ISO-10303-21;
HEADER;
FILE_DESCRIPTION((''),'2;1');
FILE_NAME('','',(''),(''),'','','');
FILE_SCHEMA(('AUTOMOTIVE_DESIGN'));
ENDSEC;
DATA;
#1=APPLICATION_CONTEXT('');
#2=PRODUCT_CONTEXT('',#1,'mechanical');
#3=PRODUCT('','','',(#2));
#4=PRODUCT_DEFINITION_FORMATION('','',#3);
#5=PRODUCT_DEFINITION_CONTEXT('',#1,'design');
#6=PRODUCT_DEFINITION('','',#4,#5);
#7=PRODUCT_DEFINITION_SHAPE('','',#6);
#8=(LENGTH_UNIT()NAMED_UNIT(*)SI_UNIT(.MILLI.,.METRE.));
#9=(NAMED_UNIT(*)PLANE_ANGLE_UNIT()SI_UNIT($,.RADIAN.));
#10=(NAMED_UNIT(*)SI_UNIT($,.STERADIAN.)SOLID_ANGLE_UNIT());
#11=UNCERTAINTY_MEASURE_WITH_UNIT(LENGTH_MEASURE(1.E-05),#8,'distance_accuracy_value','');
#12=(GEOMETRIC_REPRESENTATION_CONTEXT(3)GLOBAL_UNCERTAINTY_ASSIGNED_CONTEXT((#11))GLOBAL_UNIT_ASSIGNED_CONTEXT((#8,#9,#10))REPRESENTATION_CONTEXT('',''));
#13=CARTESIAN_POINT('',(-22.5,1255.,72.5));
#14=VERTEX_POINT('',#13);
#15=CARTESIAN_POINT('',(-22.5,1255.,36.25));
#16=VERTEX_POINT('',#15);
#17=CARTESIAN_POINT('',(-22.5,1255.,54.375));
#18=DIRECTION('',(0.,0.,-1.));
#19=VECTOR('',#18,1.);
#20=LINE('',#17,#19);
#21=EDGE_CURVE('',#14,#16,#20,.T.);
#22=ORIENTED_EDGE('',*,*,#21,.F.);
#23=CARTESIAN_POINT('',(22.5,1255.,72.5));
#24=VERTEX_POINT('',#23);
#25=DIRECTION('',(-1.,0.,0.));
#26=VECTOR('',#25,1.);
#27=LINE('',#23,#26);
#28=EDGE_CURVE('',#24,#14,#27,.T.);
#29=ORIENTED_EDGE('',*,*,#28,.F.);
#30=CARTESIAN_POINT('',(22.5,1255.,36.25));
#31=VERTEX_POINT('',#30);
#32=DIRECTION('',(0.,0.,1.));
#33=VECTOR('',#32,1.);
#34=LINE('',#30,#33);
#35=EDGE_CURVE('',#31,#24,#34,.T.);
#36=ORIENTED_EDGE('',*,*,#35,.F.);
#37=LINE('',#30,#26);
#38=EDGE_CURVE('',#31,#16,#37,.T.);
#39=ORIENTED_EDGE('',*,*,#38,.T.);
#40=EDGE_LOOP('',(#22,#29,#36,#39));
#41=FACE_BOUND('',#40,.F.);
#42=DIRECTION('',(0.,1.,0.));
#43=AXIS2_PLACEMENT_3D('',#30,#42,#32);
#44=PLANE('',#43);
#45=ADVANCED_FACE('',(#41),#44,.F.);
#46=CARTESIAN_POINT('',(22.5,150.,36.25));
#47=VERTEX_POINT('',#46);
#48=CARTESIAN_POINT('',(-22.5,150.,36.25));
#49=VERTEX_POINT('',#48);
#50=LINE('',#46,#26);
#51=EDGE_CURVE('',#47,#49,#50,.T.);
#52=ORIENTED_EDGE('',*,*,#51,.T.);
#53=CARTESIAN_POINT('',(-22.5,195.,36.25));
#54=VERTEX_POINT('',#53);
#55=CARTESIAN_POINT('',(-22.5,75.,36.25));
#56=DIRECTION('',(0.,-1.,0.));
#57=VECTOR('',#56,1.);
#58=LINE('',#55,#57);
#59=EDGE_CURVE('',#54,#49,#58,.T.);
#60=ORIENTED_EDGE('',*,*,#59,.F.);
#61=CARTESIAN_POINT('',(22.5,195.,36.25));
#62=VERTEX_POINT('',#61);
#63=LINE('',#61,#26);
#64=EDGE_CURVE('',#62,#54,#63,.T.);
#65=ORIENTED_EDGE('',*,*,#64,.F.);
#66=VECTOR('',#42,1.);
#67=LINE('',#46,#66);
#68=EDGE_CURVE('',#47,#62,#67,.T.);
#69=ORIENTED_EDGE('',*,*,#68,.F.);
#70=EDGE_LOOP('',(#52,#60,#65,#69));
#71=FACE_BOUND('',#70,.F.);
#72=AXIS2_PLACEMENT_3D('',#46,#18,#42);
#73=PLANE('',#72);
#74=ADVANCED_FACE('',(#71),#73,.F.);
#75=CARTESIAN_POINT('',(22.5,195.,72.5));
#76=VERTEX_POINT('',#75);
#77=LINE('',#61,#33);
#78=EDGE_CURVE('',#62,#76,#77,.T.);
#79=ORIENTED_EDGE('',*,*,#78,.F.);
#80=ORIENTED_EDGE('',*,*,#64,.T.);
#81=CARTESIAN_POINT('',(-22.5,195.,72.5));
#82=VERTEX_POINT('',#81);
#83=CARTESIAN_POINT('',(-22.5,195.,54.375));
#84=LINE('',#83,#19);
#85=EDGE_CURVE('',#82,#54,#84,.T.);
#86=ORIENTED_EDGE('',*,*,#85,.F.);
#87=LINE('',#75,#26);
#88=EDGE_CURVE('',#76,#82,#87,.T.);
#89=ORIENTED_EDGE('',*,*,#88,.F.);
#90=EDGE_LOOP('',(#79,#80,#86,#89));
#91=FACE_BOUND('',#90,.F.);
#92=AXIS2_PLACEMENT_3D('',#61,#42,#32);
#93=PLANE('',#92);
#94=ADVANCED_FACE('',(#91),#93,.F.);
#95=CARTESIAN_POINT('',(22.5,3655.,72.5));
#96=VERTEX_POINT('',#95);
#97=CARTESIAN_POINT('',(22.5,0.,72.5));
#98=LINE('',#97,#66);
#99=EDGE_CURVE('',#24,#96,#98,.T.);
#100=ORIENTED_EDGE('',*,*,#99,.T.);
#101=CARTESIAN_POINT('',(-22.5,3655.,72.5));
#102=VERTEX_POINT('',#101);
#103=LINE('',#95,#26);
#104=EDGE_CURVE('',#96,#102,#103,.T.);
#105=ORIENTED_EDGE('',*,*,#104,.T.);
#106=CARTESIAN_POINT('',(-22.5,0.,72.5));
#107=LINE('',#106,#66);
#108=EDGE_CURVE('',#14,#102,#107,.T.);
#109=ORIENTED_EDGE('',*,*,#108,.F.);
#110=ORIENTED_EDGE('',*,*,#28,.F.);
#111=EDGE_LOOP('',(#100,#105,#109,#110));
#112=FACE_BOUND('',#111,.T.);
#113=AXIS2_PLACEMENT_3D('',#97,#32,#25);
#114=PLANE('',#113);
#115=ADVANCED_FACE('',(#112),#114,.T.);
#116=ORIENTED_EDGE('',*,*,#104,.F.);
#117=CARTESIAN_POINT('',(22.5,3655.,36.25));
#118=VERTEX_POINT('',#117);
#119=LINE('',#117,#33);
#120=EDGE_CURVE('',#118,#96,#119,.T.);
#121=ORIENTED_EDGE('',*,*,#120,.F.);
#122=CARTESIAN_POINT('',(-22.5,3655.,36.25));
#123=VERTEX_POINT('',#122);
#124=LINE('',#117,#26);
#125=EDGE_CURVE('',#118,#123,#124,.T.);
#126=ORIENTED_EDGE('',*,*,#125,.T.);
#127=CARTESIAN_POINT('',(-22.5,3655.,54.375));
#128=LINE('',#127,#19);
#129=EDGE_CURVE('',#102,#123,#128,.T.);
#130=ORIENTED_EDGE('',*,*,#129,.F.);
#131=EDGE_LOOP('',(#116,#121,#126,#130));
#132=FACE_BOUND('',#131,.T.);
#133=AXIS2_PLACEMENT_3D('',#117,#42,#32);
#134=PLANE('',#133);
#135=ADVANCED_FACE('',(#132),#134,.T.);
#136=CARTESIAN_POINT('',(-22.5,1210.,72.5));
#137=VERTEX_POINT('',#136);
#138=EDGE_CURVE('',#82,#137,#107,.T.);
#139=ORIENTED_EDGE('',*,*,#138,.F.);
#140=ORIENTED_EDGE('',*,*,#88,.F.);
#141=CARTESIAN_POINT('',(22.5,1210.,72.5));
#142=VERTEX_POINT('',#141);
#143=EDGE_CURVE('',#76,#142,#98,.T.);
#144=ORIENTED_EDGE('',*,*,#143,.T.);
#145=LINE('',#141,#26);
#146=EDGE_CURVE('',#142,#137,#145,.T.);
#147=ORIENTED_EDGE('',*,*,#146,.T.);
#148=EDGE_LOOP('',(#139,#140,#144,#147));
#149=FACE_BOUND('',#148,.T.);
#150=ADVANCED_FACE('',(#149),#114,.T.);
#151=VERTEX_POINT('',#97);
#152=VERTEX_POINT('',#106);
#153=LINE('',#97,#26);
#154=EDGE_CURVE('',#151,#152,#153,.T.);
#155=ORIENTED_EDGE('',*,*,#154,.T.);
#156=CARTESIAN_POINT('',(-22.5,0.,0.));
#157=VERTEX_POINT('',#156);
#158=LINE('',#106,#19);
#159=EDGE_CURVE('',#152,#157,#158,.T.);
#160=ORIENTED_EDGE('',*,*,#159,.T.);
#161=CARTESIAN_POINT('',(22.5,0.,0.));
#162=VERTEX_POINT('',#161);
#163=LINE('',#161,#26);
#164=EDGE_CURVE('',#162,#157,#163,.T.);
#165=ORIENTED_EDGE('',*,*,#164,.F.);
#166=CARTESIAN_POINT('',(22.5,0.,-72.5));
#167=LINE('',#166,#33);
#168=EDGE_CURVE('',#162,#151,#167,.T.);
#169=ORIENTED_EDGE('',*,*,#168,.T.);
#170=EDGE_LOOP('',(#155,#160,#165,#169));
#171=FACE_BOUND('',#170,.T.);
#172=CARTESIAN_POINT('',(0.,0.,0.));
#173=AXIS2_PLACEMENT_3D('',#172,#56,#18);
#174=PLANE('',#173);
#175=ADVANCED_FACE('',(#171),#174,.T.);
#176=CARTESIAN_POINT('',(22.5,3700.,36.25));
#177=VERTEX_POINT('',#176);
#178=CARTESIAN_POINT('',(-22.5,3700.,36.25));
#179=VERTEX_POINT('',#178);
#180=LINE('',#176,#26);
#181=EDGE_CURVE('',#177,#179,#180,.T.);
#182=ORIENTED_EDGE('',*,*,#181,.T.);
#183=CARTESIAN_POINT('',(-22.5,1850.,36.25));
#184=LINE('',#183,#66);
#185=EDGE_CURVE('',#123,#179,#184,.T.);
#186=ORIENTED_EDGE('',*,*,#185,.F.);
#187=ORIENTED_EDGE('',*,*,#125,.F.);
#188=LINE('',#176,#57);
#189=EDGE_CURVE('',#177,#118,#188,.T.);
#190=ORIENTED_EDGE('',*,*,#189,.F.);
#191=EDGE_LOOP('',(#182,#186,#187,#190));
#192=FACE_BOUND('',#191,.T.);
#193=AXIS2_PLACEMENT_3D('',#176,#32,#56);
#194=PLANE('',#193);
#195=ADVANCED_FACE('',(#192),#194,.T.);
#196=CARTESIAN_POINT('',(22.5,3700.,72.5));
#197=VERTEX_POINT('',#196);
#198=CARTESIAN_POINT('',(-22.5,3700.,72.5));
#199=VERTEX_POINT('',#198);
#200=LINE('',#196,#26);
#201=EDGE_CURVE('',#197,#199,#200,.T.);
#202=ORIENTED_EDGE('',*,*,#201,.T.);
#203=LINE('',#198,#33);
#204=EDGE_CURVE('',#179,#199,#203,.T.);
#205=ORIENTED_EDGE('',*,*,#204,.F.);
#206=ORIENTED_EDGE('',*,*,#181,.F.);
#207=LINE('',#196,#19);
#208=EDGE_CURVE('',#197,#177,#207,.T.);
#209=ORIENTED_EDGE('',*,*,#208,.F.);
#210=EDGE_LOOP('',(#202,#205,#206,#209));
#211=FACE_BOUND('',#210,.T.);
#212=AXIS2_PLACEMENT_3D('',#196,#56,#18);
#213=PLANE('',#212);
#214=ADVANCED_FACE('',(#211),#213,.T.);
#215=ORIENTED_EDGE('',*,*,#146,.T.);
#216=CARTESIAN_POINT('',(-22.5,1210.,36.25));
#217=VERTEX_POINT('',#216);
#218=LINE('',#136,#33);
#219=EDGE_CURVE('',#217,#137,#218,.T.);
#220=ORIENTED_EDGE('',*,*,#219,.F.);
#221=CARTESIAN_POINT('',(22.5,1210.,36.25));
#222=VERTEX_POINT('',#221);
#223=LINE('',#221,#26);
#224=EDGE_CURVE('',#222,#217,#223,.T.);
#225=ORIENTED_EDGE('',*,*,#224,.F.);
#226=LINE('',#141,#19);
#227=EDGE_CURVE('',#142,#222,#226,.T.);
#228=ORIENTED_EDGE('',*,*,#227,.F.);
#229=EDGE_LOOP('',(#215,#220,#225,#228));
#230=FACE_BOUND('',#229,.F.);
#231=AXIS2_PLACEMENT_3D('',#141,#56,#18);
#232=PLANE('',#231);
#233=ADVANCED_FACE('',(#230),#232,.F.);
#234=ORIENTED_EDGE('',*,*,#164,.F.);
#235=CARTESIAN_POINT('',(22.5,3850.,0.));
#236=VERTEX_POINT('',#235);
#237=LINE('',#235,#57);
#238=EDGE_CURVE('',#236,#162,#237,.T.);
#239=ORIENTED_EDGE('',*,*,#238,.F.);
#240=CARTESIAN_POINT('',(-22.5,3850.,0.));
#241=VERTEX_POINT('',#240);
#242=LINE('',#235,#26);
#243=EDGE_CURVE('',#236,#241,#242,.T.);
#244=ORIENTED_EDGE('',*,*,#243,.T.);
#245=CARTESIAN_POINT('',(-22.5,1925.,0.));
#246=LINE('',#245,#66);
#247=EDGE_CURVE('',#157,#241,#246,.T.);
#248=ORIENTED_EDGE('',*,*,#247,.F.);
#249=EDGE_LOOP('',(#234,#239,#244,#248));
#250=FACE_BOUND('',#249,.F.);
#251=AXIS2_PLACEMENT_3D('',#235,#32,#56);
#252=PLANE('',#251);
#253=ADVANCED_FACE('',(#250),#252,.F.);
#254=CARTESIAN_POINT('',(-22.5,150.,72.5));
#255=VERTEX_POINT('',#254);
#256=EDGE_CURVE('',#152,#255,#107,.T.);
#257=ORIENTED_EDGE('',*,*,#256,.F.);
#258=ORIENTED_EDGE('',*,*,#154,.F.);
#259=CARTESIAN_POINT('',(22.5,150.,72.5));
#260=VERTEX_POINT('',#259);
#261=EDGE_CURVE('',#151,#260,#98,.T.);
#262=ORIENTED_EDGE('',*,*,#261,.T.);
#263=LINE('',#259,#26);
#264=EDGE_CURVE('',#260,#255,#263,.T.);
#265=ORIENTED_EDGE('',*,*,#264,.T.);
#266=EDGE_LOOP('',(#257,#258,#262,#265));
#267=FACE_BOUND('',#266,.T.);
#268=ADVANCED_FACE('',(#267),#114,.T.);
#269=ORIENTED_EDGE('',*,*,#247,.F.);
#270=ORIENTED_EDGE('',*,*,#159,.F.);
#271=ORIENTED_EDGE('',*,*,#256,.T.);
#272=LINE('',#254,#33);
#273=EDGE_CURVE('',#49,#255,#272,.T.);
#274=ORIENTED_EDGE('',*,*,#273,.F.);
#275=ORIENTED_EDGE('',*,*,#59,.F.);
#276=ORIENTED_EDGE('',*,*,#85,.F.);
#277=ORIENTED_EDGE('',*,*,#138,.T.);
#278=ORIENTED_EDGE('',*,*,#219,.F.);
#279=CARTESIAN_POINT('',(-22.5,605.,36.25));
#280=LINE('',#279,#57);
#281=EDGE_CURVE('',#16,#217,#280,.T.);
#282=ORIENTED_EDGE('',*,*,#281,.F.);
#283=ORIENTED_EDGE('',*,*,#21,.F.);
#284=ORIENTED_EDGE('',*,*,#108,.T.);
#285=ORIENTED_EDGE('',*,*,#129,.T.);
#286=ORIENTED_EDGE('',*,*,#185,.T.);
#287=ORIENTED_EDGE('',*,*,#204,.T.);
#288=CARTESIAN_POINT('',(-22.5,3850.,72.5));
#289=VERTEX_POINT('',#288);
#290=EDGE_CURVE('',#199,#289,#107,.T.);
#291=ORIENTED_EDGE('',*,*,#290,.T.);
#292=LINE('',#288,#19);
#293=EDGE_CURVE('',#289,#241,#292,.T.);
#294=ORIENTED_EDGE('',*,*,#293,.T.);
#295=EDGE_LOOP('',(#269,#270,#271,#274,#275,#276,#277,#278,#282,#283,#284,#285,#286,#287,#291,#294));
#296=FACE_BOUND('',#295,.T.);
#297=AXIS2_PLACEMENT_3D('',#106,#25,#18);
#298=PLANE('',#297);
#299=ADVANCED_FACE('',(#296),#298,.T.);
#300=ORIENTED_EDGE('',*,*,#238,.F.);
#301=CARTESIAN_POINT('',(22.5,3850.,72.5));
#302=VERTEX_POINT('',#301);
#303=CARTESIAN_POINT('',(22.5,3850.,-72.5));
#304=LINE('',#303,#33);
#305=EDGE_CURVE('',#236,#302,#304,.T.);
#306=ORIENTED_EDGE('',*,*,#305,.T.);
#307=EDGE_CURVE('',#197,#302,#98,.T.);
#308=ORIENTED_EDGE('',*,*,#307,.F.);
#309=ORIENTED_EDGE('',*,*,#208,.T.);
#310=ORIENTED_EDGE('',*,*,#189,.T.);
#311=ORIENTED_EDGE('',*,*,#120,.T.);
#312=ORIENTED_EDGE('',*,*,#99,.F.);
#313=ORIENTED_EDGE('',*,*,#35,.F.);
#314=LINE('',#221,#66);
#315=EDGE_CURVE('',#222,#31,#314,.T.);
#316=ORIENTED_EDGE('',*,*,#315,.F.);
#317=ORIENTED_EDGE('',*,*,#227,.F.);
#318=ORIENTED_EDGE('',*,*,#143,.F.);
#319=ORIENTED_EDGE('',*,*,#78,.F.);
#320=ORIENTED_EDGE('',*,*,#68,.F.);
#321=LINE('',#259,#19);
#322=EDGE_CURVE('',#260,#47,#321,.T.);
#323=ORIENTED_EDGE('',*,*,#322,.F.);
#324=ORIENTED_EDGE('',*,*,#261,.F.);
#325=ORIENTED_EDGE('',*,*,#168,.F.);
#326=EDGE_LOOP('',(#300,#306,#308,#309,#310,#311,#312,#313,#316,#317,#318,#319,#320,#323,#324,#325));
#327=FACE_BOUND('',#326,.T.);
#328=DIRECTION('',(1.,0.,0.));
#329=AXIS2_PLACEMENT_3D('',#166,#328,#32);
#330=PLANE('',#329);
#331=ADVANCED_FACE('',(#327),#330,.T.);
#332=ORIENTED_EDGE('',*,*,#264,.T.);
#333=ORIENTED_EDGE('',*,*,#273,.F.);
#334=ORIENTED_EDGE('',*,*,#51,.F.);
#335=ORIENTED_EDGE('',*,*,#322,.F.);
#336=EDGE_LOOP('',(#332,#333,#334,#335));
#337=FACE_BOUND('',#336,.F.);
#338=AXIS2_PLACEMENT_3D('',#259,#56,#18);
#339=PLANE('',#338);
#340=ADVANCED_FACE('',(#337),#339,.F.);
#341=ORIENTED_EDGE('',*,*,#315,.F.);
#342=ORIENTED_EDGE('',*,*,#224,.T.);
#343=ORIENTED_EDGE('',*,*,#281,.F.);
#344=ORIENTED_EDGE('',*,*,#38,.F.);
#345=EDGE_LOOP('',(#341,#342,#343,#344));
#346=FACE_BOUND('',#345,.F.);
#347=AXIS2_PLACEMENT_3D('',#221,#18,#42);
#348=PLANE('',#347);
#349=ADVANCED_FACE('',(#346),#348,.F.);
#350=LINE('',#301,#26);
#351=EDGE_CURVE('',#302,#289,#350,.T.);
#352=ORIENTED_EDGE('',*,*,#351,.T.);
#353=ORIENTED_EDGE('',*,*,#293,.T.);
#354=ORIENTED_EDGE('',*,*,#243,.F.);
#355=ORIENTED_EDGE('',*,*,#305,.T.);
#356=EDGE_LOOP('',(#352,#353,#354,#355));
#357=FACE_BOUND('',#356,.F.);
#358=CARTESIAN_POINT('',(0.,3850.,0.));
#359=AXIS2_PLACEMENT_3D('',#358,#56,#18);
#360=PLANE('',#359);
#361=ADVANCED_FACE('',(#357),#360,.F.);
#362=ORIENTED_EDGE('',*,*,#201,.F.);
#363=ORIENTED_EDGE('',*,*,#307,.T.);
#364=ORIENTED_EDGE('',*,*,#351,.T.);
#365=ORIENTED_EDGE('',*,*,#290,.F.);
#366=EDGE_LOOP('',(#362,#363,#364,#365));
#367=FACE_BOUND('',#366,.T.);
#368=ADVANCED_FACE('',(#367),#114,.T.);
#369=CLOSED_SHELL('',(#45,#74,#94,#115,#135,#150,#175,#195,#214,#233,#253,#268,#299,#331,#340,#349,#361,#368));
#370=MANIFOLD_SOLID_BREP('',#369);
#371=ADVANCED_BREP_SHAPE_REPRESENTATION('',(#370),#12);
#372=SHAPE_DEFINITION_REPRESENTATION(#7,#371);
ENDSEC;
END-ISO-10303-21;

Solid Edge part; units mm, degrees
sketch "Sketch1" plane through (0, 0, 0) normal (0, -1, 0) x (1, 0, 0)
  line L0 (-22.5, -72.5) -> (22.5, -72.5)
  line L1 (22.5, -72.5) -> (22.5, 72.5)
  line L2 (22.5, 72.5) -> (-22.5, 72.5)
  line L3 (-22.5, 72.5) -> (-22.5, -72.5)
extrude "Protrusion1" add sketch "Sketch1" against normal blind 3850
sketch "Sketch2" plane through (22.5, 1925, 0) normal (1, 0, 0) x (0, 1, 0)
  line L0 (1775, 72.5) -> (1775, 36.25)
  line L1 (1775, 36.25) -> (1730, 36.25)
  line L2 (1730, 36.25) -> (1730, 72.5)
  line L3 (1730, 72.5) -> (1775, 72.5)
  line L4 (-1775, 72.5) -> (-1775, 36.25)
  line L5 (-1775, 36.25) -> (-1730, 36.25)
  line L6 (-1730, 36.25) -> (-1730, 72.5)
  line L7 (-1730, 72.5) -> (-1775, 72.5)
extrude "ExtrudedCutout_1" cut sketch "Sketch2" against normal blind 86.6929
sketch "Sketch3" plane through (22.5, 1925, 0) normal (1, 0, 0) x (0, 1, 0)
  line L0 (-1925, -72.5) -> (1925, -72.5)
  line L1 (1925, -72.5) -> (1925, 0)
  line L2 (1925, 0) -> (-1925, 0)
  line L3 (-1925, 0) -> (-1925, -72.5)
extrude "ExtrudedCutout_2" cut sketch "Sketch3" against normal blind 2000.7732
sketch "Sketch4" plane through (22.5, 1925, 36.25) normal (1, 0, 0) x (0, 1, 0)
  line L0 (-715, 36.25) -> (-715, 0)
  line L1 (-715, 0) -> (-670, 0)
  line L2 (-670, 0) -> (-670, 36.25)
  line L3 (-670, 36.25) -> (-715, 36.25)
extrude "ExtrudedCutout_3" cut sketch "Sketch4" against normal blind 168.4224
properties material "Wood, Pine"
